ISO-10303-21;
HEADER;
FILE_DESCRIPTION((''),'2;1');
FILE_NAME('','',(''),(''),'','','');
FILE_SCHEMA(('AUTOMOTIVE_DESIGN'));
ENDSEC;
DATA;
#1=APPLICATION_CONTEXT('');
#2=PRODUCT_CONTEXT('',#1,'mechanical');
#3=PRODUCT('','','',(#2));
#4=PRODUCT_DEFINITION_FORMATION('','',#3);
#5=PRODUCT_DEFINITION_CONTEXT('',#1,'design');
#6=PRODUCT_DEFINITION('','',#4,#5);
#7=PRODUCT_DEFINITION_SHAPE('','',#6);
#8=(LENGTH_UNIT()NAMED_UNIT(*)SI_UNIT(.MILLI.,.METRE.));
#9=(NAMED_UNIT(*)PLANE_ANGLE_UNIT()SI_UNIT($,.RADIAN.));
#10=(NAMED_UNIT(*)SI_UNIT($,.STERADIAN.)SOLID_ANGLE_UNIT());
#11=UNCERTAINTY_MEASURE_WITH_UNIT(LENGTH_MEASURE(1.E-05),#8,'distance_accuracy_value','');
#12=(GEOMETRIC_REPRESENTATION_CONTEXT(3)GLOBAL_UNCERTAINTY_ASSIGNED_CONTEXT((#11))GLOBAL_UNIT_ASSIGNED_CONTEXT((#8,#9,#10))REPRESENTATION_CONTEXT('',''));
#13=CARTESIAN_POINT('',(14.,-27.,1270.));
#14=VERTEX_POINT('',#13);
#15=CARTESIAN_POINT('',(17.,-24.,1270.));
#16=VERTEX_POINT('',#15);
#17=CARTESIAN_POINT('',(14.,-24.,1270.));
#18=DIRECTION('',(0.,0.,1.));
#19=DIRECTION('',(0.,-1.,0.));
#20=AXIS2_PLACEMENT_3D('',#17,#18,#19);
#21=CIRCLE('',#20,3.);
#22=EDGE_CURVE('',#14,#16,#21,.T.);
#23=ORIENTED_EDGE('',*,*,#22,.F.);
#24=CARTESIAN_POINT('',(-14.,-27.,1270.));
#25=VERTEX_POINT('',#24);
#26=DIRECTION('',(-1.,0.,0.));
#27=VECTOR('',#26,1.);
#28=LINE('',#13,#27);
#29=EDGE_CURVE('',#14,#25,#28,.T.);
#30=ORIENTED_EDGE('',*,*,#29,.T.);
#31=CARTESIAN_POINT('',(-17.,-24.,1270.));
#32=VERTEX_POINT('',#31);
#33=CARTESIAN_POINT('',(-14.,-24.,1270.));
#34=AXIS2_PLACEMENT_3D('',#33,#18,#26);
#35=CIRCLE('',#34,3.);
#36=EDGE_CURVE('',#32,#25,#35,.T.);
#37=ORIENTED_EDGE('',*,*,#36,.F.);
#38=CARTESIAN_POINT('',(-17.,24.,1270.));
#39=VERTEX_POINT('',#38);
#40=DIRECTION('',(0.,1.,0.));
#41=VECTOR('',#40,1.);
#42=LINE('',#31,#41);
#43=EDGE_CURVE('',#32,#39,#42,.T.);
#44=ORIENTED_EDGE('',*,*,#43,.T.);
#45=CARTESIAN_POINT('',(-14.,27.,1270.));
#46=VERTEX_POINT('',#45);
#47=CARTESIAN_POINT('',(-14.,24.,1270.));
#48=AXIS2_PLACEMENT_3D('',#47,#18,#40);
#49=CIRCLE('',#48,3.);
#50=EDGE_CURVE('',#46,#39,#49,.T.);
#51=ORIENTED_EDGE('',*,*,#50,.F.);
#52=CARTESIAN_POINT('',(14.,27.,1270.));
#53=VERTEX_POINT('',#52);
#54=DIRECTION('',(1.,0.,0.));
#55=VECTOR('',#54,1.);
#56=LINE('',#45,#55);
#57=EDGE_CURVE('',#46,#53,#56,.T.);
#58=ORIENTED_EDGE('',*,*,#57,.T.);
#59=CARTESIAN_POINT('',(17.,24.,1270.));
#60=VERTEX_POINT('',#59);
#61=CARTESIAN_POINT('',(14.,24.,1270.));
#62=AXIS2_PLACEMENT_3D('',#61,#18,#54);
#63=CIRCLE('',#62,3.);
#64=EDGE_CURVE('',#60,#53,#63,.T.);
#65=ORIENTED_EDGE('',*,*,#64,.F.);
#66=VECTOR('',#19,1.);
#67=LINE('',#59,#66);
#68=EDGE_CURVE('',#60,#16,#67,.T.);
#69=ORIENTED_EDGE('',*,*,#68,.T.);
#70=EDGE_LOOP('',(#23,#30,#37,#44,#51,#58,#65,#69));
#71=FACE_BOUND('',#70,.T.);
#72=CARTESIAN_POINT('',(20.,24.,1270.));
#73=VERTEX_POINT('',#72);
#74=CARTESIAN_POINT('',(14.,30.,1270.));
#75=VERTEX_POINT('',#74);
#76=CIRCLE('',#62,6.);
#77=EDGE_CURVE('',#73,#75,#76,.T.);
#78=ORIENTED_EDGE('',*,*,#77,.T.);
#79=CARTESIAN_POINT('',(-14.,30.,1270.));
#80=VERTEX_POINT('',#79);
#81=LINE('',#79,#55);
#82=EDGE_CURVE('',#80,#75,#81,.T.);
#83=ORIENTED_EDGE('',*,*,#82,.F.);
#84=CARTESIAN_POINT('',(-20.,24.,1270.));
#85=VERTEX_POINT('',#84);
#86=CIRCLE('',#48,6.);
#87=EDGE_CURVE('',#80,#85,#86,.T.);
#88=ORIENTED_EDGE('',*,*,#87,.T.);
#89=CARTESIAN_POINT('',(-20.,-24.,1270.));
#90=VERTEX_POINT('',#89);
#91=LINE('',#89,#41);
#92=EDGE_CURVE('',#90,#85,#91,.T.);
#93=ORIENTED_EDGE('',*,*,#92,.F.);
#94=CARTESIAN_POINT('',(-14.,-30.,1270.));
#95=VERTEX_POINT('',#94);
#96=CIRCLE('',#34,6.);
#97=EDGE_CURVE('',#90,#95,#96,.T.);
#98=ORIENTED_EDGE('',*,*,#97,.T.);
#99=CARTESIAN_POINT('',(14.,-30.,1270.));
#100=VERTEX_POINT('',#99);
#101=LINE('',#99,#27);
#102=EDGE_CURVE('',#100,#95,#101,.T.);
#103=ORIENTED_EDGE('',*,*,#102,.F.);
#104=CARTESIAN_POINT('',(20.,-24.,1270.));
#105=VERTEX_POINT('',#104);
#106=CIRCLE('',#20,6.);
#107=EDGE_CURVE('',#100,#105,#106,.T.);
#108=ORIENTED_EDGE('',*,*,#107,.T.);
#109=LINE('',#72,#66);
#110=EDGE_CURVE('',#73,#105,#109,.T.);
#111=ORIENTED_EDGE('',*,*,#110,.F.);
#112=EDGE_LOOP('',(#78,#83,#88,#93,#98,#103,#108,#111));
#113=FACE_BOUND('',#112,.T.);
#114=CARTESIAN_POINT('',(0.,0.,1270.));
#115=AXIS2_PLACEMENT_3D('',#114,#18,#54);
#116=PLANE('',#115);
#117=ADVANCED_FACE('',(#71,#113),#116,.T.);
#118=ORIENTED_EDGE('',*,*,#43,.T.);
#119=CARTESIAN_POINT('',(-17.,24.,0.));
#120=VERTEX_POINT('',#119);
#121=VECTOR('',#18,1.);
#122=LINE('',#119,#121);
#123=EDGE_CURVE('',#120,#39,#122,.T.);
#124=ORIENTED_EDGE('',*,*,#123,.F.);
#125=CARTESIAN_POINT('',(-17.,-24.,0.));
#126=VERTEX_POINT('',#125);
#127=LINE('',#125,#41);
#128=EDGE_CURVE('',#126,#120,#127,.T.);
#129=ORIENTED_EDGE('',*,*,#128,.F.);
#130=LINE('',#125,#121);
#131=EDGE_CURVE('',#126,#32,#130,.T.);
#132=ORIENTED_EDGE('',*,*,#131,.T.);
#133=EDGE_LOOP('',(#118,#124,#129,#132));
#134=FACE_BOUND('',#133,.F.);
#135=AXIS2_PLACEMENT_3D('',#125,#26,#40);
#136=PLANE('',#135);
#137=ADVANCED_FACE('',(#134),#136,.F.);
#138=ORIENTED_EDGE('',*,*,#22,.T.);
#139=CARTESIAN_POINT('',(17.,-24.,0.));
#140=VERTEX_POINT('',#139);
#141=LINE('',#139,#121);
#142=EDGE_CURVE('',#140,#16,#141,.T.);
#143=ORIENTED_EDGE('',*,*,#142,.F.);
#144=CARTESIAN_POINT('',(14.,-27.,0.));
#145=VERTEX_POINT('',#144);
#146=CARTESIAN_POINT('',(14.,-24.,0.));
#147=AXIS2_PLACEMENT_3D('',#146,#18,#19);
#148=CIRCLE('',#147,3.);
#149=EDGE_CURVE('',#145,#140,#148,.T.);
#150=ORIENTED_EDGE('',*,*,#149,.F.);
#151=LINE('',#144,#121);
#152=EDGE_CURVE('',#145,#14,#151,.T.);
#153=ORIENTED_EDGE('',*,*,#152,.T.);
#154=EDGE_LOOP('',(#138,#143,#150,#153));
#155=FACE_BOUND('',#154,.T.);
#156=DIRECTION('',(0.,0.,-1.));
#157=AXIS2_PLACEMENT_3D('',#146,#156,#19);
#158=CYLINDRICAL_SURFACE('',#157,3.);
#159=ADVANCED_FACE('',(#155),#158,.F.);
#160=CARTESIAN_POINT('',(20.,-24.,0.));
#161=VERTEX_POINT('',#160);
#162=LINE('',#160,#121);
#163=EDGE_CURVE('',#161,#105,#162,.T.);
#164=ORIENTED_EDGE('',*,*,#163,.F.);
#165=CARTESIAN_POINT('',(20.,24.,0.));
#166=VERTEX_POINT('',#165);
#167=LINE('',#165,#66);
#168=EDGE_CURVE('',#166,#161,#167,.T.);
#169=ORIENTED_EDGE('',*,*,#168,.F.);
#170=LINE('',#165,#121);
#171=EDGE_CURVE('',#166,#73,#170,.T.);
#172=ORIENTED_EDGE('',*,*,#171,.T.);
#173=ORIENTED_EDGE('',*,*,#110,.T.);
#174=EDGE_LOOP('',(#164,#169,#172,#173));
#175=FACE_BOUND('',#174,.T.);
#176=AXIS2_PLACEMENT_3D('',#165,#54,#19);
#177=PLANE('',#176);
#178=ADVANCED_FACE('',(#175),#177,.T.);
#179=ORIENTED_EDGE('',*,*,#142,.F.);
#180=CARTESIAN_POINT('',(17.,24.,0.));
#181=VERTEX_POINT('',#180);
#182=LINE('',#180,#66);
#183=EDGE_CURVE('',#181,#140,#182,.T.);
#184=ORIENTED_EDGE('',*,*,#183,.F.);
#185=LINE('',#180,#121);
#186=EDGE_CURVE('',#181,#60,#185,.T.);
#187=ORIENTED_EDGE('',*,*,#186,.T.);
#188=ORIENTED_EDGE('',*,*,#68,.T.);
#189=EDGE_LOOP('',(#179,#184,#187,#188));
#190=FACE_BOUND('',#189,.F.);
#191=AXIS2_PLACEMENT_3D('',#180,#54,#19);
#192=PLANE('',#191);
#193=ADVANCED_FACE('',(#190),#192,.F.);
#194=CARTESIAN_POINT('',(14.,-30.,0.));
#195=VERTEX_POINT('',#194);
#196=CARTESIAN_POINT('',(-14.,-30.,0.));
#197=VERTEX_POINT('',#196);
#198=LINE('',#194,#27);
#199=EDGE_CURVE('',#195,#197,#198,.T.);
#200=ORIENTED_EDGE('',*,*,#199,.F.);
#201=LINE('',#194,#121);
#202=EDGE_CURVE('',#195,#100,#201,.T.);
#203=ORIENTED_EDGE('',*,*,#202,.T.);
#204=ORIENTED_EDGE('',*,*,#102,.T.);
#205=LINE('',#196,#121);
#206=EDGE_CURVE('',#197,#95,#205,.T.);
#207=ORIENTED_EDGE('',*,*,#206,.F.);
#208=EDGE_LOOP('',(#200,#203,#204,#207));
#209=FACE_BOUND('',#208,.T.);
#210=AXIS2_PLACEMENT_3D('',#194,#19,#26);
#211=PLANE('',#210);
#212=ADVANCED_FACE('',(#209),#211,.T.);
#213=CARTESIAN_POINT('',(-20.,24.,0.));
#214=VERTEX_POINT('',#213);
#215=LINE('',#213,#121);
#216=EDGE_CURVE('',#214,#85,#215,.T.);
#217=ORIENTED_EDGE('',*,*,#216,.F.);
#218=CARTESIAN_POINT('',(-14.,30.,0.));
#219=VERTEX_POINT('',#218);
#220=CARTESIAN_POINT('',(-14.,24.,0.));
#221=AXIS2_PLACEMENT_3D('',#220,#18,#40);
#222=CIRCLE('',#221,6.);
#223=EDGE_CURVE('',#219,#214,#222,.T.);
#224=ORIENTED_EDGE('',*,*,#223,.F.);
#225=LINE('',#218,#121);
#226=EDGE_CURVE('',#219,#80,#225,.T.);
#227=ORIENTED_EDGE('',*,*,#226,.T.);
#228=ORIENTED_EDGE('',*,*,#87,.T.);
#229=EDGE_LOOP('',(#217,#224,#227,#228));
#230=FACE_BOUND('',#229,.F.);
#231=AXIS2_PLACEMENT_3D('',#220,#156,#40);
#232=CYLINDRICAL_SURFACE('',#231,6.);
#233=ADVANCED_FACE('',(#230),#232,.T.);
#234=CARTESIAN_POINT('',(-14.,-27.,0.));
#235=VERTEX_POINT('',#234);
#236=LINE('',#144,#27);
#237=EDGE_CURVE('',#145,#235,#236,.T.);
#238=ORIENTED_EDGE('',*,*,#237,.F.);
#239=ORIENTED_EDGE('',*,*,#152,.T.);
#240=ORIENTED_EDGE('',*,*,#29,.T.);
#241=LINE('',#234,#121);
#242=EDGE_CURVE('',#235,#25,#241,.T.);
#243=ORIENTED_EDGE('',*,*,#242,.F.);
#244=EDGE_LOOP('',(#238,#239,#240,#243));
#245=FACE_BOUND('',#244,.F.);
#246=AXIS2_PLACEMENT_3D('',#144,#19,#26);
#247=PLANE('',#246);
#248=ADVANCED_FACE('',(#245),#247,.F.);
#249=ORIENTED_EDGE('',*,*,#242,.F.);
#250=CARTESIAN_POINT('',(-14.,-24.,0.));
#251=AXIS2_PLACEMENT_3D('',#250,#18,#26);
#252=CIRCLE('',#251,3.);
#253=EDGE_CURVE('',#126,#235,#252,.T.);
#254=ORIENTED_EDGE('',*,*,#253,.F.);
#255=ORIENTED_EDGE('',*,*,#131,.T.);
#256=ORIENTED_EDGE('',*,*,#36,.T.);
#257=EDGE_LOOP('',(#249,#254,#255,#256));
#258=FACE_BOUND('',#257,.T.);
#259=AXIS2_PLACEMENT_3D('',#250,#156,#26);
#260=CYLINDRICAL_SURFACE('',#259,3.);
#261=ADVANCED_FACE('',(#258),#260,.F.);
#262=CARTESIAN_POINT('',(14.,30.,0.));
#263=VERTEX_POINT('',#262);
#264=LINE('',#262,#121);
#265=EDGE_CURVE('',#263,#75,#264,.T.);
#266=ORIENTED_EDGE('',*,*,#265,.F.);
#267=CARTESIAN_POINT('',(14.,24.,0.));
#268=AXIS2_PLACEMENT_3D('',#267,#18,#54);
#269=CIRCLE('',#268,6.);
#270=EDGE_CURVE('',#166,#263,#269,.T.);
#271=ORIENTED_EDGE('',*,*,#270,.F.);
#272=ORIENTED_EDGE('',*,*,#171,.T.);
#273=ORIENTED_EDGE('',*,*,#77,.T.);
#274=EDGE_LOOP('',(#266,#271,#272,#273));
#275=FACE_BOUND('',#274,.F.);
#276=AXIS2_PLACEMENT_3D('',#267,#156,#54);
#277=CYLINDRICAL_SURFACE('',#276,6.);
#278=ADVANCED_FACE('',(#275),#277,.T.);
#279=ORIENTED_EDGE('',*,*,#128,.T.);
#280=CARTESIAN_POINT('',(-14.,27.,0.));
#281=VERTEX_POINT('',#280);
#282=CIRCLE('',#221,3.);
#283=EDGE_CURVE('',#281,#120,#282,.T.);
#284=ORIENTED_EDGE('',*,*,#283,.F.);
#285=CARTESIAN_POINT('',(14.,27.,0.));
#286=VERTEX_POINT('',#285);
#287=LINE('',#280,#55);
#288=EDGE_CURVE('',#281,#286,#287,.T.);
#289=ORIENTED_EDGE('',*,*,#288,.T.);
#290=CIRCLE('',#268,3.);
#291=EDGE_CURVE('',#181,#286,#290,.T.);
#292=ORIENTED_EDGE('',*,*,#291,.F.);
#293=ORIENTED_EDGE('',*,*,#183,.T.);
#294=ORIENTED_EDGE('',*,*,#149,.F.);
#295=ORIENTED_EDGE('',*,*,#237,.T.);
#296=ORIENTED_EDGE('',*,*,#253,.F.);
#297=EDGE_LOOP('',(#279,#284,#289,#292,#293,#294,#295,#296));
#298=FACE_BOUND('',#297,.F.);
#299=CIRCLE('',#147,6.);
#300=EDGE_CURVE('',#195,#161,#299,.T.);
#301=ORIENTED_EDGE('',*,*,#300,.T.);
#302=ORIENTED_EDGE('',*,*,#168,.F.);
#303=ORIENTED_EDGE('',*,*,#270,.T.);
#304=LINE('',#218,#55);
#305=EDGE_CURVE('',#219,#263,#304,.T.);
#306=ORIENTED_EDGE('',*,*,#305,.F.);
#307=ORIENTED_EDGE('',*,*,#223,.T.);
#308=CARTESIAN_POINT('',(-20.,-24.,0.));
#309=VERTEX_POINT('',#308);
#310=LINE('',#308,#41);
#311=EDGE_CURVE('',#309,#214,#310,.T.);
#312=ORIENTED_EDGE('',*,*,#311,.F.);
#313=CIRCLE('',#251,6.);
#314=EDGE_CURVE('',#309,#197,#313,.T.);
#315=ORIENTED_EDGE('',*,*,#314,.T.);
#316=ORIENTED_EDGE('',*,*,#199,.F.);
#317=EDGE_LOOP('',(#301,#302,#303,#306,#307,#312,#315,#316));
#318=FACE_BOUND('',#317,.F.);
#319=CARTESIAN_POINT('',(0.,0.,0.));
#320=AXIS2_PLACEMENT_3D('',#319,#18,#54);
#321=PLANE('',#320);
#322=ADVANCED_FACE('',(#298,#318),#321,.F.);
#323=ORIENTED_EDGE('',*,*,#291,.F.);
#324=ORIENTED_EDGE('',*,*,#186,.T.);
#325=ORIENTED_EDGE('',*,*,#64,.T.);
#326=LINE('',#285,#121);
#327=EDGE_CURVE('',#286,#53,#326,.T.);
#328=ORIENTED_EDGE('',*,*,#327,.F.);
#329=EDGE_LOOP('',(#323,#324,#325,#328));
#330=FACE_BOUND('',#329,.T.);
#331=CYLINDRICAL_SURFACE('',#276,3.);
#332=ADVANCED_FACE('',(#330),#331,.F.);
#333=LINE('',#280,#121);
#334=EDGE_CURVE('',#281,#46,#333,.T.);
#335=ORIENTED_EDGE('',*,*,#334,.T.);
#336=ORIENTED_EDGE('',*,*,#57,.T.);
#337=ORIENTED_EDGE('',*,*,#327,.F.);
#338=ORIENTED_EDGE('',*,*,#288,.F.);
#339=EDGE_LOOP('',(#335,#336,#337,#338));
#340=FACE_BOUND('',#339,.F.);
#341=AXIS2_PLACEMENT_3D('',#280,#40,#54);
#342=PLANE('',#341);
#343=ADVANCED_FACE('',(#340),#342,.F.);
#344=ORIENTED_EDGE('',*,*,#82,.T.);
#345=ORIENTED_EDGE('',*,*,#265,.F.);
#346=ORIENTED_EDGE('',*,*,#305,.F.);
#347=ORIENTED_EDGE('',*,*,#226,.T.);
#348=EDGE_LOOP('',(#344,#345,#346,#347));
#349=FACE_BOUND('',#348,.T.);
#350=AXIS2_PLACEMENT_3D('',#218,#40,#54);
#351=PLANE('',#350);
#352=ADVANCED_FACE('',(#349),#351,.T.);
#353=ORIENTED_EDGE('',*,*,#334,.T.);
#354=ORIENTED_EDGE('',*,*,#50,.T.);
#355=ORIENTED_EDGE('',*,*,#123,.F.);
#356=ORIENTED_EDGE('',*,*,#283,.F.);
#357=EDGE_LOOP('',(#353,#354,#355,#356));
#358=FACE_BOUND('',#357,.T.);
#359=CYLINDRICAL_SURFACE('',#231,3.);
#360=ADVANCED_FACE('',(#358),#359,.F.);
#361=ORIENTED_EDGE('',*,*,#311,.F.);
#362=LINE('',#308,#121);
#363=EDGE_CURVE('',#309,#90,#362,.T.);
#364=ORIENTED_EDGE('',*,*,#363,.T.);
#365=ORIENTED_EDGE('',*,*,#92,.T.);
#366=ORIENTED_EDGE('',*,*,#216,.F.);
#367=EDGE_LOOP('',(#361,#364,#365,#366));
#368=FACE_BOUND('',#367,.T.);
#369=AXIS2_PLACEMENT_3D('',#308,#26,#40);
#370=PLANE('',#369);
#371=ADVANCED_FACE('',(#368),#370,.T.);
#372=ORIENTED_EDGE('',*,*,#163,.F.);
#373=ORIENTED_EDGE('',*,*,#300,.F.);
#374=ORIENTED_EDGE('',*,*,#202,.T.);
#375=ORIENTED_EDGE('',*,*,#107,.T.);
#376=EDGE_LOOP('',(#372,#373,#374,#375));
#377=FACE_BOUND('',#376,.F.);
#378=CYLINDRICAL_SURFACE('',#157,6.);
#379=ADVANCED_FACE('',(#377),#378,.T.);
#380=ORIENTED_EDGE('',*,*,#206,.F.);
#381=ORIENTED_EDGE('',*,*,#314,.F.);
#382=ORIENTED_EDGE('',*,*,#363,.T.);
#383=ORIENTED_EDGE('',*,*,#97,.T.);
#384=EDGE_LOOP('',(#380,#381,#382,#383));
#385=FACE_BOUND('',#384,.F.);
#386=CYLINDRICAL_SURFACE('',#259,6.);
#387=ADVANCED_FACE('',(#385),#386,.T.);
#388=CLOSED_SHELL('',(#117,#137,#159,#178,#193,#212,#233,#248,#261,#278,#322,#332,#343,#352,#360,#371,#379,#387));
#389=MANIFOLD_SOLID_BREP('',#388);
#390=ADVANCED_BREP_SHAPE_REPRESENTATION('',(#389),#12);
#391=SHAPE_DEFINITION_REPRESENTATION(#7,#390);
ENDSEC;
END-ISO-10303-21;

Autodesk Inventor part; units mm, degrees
ref_plane "YZ Plane" through (0, 0, 0) normal (1, 0, 0) x (0, 1, 0)
ref_plane "Start plane" through (0, 0, 0) normal (0, 0, 1) x (1, 0, 0)
ref_plane "End plane" through (0, 0, 1270) normal (0, 0, 1) x (1, 0, 0)
sketch "Sketch" plane through (0, 0, 0) normal (0, 0, 1) x (1, 0, 0)
  line L0 (-20, -24) -> (-20, 24)
  line L1 (-14, 30) -> (14, 30)
  line L2 (20, 24) -> (20, -24)
  line L3 (14, -30) -> (-14, -30)
  arc A0 (-20, -24) -> (-14, -30) centre (-14, -24) ccw
  arc A1 (20, 24) -> (14, 30) centre (14, 24) ccw
  arc A2 (-14, 30) -> (-20, 24) centre (-14, 24) ccw
  arc A3 (14, -30) -> (20, -24) centre (14, -24) ccw
  arc A4 (-14, 27) -> (-17, 24) centre (-14, 24) ccw
  line L4 (-14, 27) -> (14, 27)
  arc A5 (17, 24) -> (14, 27) centre (14, 24) ccw
  line L5 (17, 24) -> (17, -24)
  arc A6 (14, -27) -> (17, -24) centre (14, -24) ccw
  line L6 (14, -27) -> (-14, -27)
  arc A7 (-17, -24) -> (-14, -27) centre (-14, -24) ccw
  line L7 (-17, -24) -> (-17, 24)
  line L8 (0, 43.7397) -> (0, -43.7397) construction
  line L9 (-29.7397, 0) -> (29.7397, 0) construction
  dimension "d7" = 6
  dimension "d9" = 40
  dimension "d11" = 60
  dimension "d12" = 3
  dimension "d15" = 20
  dimension "d16" = 30
extrude "Body" add sketch "Sketch" along normal up to surface (1270 mm away) from surface at 0
sketch "Sketch3" plane through (0, 0, 0) normal (0, 0, 1) x (1, 0, 0)
  line L0 (0, 0) -> (10, 0)
ref_plane "Work Plane3" through (0, 0, 0) normal (0, -1, 0) x (1, 0, 0)
sketch "Sketch4" plane through (0, 0, 0) normal (0, -1, 0) x (1, 0, 0)
  line L0 (-2, 0) -> (12, 0) projected
  line L1 (-2, 1270) -> (12, 1270) projected
  dimension "d18" = 1270
equation "\"d7\" = G_IR"
equation "\"d9\" = G_W"
equation "\"d11\" = G_H"
equation "\"d12\" = G_T"
equation "\"d15\" = 0.5 * d9"
equation "\"d16\" = 0.5 * d11"
equation "\"d3\" = G_L"
equation "\"G_W\" = 40"
equation "\"G_H\" = 60"
equation "\"G_T\" = 3"
equation "\"G_IR\" = 6"
equation "\"G_L\" = d18"
equation "\"G_OFFSET_START\" = 0"
equation "\"G_OFFSET_END\" = 0"
properties part number "ISO 4019 - 60x40x3 - 1270" material "Steel, Mild"
